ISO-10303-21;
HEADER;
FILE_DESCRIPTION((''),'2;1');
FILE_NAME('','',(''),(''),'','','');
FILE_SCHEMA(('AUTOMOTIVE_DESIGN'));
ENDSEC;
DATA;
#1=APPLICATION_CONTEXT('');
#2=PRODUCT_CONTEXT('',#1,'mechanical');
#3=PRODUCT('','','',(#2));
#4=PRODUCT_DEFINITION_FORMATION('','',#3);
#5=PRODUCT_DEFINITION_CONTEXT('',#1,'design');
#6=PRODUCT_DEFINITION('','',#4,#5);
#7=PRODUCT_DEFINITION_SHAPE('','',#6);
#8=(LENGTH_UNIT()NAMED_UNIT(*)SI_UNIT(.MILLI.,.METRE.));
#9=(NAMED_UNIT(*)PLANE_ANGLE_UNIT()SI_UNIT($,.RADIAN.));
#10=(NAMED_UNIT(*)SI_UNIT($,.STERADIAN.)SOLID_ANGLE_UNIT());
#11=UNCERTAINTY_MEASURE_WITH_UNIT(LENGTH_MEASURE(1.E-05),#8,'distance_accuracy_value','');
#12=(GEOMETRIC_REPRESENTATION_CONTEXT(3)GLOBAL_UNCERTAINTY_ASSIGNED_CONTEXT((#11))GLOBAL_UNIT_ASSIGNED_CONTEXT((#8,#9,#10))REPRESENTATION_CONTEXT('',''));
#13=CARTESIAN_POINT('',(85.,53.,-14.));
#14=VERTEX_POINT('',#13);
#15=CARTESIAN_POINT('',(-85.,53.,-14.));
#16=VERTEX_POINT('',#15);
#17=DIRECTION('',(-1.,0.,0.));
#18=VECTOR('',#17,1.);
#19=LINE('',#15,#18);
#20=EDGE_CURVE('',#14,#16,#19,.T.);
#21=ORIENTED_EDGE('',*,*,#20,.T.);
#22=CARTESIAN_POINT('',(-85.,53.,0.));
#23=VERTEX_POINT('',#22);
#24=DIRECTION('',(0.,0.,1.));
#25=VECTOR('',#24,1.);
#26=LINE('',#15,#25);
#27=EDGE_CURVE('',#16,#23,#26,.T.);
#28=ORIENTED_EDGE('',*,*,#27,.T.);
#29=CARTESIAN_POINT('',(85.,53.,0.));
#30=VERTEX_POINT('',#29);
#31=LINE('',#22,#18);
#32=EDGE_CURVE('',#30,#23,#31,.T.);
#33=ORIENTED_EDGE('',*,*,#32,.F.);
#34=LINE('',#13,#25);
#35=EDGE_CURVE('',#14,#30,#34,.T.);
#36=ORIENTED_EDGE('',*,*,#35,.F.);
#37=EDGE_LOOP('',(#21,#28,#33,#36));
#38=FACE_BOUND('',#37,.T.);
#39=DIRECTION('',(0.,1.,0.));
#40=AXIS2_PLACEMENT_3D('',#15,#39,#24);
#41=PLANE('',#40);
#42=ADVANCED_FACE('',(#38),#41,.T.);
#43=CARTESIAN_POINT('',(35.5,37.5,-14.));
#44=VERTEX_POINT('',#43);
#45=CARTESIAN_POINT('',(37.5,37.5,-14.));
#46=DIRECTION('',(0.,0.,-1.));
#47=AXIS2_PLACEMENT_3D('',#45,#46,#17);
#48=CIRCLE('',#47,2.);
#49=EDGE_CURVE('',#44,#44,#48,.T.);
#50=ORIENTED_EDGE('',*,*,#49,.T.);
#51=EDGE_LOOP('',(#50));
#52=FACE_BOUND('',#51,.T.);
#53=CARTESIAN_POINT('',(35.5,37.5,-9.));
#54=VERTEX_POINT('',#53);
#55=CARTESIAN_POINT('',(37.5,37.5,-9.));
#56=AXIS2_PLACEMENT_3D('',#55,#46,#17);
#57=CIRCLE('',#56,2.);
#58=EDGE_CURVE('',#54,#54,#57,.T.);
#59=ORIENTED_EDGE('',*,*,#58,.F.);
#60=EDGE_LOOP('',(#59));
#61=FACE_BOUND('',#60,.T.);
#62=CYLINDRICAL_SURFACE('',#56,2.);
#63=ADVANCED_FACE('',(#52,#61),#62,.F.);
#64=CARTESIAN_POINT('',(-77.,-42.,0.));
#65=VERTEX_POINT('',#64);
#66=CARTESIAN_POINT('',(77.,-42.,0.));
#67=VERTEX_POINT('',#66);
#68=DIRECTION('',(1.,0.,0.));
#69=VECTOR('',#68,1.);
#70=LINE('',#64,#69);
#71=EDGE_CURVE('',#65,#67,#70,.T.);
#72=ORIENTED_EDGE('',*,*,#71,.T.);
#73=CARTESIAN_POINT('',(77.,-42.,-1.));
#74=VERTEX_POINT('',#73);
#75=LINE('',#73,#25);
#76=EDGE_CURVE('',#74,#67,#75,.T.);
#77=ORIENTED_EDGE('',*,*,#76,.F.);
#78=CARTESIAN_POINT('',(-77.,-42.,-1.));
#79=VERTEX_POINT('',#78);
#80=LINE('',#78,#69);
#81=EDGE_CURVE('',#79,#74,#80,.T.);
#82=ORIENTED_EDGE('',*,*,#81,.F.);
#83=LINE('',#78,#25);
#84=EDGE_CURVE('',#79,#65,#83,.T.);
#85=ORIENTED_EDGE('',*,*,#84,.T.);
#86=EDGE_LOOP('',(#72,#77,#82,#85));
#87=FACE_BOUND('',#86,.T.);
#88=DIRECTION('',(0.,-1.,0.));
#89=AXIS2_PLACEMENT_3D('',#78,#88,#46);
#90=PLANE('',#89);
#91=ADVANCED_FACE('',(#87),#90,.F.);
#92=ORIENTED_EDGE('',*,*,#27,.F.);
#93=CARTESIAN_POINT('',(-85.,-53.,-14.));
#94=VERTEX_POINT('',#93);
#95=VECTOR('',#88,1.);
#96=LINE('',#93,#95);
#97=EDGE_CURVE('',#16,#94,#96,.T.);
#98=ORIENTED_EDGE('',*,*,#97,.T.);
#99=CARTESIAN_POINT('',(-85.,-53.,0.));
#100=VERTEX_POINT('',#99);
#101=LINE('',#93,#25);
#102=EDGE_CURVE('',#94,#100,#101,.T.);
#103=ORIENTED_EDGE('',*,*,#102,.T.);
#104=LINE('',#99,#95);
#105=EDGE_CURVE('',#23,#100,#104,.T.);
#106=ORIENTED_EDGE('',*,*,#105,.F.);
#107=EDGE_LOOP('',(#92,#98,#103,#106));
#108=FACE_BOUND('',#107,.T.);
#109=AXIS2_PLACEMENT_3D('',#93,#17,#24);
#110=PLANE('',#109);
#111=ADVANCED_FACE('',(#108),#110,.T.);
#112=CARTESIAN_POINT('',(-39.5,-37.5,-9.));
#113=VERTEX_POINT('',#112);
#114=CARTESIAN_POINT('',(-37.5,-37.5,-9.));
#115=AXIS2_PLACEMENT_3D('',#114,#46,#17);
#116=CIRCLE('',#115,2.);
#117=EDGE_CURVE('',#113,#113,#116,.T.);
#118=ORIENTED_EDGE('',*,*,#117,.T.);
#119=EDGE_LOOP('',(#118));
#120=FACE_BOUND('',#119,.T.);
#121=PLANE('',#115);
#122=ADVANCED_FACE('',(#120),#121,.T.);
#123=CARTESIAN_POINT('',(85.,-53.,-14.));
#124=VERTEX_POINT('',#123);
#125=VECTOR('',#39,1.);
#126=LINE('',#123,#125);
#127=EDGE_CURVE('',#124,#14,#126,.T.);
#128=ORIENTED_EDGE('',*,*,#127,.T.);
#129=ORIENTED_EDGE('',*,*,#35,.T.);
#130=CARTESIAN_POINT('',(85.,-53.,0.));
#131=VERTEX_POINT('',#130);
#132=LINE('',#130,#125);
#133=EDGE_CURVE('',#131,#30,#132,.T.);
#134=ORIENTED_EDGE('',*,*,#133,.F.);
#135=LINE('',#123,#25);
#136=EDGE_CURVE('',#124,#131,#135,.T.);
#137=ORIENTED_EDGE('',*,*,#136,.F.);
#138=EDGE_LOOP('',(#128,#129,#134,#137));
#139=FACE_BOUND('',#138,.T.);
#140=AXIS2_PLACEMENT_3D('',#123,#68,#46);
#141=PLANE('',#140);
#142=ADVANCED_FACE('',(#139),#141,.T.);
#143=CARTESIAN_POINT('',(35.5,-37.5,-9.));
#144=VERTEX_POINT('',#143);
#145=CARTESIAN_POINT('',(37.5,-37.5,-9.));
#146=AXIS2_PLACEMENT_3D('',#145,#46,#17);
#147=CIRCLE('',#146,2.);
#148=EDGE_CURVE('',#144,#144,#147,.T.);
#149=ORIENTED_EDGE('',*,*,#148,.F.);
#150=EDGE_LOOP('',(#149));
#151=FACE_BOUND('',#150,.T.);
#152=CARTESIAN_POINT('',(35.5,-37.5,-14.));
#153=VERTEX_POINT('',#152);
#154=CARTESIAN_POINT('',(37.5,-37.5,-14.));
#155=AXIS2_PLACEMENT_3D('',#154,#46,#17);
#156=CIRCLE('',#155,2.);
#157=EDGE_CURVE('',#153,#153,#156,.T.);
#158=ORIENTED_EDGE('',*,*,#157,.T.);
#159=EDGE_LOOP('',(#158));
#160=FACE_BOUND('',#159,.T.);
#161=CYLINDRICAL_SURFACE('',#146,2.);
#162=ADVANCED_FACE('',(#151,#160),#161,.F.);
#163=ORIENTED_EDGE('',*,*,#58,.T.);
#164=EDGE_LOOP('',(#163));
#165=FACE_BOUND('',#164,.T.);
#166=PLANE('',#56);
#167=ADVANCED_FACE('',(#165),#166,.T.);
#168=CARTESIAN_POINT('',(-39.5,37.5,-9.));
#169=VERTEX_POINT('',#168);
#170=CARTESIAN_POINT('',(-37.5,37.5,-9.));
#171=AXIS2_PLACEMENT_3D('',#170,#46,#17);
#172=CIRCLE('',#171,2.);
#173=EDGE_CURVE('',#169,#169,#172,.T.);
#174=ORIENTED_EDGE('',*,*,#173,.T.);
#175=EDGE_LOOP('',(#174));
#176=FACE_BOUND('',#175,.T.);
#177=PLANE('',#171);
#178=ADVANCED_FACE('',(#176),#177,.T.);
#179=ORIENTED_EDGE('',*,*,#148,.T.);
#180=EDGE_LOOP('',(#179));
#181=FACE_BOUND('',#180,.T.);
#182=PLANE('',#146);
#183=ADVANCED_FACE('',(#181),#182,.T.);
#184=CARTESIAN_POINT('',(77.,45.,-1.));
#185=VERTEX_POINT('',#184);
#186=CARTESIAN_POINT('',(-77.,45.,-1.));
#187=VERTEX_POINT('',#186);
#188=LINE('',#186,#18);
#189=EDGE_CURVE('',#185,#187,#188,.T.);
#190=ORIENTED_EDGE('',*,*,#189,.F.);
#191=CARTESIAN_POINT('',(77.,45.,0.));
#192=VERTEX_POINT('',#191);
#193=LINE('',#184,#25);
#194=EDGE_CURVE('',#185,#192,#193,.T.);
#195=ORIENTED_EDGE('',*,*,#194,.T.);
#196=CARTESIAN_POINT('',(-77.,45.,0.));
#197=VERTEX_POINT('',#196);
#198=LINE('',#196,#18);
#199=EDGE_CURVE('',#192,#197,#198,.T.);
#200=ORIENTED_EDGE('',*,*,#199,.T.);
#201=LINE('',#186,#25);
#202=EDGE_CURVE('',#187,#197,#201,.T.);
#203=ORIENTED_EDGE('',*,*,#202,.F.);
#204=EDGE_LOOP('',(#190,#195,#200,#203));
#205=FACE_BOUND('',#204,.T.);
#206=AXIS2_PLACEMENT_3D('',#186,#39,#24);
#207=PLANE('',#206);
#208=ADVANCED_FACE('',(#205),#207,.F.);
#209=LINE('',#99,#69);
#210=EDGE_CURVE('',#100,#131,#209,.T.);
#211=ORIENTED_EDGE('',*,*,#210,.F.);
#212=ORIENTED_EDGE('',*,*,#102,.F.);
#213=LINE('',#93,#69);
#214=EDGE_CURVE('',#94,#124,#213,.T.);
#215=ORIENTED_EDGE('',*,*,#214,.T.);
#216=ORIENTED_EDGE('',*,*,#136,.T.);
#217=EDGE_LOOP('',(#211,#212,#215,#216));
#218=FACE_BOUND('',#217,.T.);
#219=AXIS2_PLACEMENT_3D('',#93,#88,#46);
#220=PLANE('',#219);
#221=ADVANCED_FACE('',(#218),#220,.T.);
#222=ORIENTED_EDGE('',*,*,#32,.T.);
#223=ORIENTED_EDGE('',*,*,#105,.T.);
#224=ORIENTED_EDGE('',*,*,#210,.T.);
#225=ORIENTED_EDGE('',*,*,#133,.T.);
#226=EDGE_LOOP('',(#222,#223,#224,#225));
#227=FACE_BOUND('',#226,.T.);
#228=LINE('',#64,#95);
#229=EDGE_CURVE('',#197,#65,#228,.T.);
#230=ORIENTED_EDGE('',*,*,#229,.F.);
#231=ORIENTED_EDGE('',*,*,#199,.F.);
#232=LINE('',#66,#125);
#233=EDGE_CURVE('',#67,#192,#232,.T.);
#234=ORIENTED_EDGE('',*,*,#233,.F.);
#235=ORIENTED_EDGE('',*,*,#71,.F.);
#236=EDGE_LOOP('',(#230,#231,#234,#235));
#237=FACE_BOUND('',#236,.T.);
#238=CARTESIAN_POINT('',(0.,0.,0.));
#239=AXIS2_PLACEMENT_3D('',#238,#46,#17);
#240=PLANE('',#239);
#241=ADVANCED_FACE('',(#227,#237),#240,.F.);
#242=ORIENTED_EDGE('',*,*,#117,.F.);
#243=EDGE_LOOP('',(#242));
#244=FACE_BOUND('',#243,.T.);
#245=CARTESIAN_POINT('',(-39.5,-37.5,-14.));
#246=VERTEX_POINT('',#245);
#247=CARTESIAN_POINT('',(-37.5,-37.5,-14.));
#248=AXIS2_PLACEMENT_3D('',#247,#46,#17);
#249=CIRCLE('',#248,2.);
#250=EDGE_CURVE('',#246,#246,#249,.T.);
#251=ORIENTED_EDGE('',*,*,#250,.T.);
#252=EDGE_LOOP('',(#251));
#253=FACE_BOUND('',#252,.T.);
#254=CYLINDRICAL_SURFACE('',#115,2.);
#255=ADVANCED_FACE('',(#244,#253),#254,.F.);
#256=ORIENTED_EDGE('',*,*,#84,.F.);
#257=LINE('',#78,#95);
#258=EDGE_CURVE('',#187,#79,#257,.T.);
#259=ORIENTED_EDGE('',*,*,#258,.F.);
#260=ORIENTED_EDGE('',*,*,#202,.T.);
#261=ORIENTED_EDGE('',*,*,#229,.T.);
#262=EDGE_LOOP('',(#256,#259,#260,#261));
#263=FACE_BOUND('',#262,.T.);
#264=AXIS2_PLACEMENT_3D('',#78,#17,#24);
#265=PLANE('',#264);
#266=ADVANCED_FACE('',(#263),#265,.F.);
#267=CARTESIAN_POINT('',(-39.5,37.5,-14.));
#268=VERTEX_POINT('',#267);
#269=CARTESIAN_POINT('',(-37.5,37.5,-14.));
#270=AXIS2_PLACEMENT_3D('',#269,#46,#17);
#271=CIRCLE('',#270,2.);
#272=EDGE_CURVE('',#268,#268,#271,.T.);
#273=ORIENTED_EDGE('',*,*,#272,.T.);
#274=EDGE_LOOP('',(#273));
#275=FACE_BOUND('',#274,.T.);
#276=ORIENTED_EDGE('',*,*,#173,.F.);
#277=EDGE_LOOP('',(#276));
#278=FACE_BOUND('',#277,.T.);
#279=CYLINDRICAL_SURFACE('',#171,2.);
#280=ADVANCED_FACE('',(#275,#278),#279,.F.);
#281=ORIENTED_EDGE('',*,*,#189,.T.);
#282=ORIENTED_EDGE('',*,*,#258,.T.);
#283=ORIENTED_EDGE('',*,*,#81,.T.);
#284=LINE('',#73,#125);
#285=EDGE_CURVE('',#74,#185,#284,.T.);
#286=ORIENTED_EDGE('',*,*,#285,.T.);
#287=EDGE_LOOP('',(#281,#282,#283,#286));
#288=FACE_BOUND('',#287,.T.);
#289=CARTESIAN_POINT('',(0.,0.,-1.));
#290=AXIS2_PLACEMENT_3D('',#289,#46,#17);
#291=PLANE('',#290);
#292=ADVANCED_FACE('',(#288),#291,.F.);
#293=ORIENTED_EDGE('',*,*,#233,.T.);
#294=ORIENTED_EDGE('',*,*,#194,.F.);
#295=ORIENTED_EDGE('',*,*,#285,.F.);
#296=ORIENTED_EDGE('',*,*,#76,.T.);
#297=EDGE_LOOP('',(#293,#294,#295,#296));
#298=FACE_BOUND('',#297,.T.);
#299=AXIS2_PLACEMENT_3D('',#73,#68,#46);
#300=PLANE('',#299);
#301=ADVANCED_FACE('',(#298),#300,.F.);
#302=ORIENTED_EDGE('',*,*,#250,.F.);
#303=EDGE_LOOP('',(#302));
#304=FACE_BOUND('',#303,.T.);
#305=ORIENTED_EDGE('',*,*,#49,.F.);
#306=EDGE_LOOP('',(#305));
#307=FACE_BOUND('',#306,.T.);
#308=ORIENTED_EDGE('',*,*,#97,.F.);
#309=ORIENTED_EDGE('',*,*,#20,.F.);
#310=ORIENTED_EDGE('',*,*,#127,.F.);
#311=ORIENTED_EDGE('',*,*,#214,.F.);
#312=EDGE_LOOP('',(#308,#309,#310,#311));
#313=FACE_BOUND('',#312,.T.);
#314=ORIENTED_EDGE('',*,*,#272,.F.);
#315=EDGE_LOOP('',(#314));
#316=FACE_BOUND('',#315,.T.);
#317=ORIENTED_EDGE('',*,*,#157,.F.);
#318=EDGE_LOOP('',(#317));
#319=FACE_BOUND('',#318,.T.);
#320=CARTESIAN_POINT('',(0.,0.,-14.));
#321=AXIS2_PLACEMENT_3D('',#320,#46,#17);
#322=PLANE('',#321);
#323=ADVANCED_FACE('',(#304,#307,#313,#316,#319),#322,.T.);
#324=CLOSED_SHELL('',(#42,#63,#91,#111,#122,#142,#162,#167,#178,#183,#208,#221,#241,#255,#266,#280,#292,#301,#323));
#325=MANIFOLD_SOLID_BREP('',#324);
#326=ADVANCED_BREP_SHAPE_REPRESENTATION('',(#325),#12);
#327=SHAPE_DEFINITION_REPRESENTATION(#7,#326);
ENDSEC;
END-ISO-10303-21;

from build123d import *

# Parameters (mm, degrees)
SKETCH_1_W          = 170
SKETCH_1_H          = 106
EXTRUDE_1_DEPTH     = 14
SKETCH_2_R          = 2
CUT_EXTRUDE_1_DEPTH = 5
SKETCH_3_W          = 154
SKETCH_3_H          = 87
CUT_EXTRUDE_2_DEPTH = 1


with BuildPart() as part:
    # 草图1 → 凸台-拉伸1 (new body)
    with BuildSketch(Plane.XY):
        Rectangle(SKETCH_1_W, SKETCH_1_H)
    extrude(amount=-EXTRUDE_1_DEPTH)

    # 草图2 → 切除-拉伸1 (cut)
    with BuildSketch(Plane(origin=(0, 0, -14), x_dir=(-1, 0, 0), z_dir=(0, 0, -1))):
        with Locations((37.5, 37.5)):
            Circle(SKETCH_2_R)
        with Locations((-37.5, 37.5)):
            Circle(SKETCH_2_R)
        with Locations((-37.5, -37.5)):
            Circle(SKETCH_2_R)
        with Locations((37.5, -37.5)):
            Circle(SKETCH_2_R)
    extrude(amount=-CUT_EXTRUDE_1_DEPTH, mode=Mode.SUBTRACT)

    # 草图3 → 切除-拉伸2 (cut)
    with BuildSketch(Plane.XY):
        with Locations((0, 1.5)):
            Rectangle(SKETCH_3_W, SKETCH_3_H)
    extrude(amount=-CUT_EXTRUDE_2_DEPTH, mode=Mode.SUBTRACT)


solid = part.part
